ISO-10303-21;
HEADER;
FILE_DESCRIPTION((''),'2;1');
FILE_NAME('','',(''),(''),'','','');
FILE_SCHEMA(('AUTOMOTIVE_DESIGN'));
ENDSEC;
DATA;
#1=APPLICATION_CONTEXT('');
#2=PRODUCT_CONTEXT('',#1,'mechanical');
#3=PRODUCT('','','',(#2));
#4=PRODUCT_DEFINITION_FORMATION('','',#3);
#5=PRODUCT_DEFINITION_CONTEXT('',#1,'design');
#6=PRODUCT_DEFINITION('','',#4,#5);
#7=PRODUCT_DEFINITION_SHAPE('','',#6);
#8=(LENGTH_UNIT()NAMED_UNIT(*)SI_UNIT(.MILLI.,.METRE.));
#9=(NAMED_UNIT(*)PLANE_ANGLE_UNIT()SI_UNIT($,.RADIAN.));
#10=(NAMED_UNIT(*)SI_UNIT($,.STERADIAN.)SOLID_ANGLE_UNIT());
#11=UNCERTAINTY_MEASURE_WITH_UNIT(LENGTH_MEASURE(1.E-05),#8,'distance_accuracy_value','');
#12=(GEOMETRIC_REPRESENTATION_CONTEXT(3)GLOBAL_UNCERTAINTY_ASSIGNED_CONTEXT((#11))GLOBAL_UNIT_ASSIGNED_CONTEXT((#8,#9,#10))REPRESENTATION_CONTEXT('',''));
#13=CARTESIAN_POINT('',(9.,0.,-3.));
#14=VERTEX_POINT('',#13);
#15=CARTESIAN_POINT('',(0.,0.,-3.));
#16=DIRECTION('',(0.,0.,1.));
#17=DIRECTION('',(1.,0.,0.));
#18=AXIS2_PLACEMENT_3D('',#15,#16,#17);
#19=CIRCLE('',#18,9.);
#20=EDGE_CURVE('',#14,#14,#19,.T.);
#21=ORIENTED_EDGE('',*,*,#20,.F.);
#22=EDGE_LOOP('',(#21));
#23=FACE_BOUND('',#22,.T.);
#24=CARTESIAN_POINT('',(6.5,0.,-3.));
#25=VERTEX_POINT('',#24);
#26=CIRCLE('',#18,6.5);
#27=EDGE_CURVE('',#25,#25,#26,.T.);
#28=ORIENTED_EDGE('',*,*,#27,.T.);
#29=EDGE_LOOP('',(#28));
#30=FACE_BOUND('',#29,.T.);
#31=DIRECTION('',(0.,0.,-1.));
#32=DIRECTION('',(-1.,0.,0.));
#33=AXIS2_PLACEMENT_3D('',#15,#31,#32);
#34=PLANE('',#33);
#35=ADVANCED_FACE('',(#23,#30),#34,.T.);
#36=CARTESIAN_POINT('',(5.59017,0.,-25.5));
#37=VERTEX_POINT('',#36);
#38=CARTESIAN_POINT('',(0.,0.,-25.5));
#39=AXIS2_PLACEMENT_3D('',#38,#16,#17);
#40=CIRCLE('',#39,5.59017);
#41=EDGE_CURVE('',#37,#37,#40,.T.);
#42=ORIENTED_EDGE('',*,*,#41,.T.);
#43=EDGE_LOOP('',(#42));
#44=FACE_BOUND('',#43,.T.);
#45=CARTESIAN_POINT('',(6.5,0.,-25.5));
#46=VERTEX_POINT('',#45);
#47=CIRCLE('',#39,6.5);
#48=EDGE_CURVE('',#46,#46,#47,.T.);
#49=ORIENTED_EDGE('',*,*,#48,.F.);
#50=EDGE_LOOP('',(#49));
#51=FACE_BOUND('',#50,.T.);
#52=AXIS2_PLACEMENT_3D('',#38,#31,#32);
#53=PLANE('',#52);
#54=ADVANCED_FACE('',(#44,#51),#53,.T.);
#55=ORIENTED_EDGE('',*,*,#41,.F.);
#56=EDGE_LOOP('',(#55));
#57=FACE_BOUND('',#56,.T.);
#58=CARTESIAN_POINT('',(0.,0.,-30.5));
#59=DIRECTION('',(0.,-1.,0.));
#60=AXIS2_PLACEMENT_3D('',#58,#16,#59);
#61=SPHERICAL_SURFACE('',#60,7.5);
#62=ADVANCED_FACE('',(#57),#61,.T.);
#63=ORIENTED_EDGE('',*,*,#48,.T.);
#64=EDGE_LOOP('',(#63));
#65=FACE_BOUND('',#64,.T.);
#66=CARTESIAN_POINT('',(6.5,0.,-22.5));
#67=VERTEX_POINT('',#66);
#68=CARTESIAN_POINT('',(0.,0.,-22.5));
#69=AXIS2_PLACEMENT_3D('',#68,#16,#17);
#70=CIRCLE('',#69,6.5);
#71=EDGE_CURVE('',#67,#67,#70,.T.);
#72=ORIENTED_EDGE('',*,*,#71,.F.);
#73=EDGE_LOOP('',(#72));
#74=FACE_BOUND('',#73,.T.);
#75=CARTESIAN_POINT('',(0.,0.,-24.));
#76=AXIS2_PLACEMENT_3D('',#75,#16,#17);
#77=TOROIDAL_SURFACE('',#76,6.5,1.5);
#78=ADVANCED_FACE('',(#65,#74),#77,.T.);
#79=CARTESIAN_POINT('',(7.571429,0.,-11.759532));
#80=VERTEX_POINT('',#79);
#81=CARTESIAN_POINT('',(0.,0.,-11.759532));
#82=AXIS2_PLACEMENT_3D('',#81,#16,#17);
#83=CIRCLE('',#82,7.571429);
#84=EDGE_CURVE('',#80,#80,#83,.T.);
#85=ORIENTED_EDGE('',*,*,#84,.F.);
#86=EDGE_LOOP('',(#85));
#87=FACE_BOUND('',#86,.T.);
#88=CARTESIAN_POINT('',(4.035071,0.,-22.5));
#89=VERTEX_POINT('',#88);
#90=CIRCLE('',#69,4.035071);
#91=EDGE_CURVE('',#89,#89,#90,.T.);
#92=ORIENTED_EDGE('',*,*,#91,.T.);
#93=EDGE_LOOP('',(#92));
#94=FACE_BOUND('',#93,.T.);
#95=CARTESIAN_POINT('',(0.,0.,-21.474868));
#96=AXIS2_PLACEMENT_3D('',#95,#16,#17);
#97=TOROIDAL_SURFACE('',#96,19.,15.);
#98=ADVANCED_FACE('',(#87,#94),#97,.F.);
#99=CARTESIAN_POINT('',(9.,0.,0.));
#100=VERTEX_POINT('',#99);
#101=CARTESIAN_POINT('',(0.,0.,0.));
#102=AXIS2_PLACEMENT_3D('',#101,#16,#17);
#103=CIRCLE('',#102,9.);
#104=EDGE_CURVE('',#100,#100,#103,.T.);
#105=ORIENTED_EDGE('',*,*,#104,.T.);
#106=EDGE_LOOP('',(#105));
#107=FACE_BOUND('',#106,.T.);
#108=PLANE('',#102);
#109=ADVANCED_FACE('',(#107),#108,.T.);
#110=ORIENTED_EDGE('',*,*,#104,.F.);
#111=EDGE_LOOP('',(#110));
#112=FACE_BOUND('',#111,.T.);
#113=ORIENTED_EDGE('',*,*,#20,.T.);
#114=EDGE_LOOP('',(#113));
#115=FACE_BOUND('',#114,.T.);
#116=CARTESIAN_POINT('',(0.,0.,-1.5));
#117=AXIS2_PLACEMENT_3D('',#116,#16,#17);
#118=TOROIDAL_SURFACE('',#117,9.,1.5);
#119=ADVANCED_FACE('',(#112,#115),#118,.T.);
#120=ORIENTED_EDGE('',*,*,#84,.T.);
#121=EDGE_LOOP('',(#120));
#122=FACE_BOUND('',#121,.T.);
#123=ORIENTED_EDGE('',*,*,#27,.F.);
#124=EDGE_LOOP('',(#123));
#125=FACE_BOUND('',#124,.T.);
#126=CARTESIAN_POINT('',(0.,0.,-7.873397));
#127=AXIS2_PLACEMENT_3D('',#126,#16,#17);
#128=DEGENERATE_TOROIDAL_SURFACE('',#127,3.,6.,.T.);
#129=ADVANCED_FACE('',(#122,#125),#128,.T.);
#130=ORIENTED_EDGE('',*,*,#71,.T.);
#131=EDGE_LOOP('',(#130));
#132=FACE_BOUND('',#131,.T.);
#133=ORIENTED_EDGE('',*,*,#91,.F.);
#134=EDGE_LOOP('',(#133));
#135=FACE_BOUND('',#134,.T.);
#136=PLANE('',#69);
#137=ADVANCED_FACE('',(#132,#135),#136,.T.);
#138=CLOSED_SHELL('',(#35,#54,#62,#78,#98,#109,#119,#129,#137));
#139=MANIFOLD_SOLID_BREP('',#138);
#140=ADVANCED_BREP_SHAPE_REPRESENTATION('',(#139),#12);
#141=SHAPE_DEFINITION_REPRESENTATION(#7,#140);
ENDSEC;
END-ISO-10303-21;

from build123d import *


with BuildPart() as part:
    # Sketch1 → Revolve1 (revolve)
    with BuildSketch(Plane(origin=(0, 0, 0), x_dir=(0, 0, -1), z_dir=(1, 0, 0))):
        with BuildLine():
            Line((3, 0), (0, 0))
            Line((0, 0), (0, -9))
            ThreePointArc((0, -9), (1.5, -10.5), (3, -9))
            Line((3, -9), (3, -6.5))
            Line((3, -6.5), (3, 0))
        make_face()
        with BuildLine():
            Line((22.5, 0), (3, 0))
            Line((3, 0), (3, -6.5))
            ThreePointArc((3, -6.5), (7.14493185, -8.955614013), (11.759531603, -7.571428571))
            ThreePointArc((11.759531603, -7.571428571), (16.783773269, -4.752416583), (22.5, -4.035070875))
            Line((22.5, -4.035070875), (22.5, 0))
        make_face()
        with BuildLine():
            Line((25.5, 0), (22.5, 0))
            Line((22.5, 0), (22.5, -4.035070875))
            Line((22.5, -4.035070875), (22.5, -6.5))
            ThreePointArc((22.5, -6.5), (24, -8), (25.5, -6.5))
            Line((25.5, -6.5), (25.5, -5.590169944))
            Line((25.5, -5.590169944), (25.5, 0))
        make_face()
        with BuildLine():
            Line((38, 0), (25.5, 0))
            Line((25.5, 0), (25.5, -5.590169944))
            ThreePointArc((25.5, -5.590169944), (33.561862178, -6.846531969), (38, 0))
        make_face()
    revolve(axis=Axis((0, 0, 0), (0, 0, -1)))


solid = part.part
